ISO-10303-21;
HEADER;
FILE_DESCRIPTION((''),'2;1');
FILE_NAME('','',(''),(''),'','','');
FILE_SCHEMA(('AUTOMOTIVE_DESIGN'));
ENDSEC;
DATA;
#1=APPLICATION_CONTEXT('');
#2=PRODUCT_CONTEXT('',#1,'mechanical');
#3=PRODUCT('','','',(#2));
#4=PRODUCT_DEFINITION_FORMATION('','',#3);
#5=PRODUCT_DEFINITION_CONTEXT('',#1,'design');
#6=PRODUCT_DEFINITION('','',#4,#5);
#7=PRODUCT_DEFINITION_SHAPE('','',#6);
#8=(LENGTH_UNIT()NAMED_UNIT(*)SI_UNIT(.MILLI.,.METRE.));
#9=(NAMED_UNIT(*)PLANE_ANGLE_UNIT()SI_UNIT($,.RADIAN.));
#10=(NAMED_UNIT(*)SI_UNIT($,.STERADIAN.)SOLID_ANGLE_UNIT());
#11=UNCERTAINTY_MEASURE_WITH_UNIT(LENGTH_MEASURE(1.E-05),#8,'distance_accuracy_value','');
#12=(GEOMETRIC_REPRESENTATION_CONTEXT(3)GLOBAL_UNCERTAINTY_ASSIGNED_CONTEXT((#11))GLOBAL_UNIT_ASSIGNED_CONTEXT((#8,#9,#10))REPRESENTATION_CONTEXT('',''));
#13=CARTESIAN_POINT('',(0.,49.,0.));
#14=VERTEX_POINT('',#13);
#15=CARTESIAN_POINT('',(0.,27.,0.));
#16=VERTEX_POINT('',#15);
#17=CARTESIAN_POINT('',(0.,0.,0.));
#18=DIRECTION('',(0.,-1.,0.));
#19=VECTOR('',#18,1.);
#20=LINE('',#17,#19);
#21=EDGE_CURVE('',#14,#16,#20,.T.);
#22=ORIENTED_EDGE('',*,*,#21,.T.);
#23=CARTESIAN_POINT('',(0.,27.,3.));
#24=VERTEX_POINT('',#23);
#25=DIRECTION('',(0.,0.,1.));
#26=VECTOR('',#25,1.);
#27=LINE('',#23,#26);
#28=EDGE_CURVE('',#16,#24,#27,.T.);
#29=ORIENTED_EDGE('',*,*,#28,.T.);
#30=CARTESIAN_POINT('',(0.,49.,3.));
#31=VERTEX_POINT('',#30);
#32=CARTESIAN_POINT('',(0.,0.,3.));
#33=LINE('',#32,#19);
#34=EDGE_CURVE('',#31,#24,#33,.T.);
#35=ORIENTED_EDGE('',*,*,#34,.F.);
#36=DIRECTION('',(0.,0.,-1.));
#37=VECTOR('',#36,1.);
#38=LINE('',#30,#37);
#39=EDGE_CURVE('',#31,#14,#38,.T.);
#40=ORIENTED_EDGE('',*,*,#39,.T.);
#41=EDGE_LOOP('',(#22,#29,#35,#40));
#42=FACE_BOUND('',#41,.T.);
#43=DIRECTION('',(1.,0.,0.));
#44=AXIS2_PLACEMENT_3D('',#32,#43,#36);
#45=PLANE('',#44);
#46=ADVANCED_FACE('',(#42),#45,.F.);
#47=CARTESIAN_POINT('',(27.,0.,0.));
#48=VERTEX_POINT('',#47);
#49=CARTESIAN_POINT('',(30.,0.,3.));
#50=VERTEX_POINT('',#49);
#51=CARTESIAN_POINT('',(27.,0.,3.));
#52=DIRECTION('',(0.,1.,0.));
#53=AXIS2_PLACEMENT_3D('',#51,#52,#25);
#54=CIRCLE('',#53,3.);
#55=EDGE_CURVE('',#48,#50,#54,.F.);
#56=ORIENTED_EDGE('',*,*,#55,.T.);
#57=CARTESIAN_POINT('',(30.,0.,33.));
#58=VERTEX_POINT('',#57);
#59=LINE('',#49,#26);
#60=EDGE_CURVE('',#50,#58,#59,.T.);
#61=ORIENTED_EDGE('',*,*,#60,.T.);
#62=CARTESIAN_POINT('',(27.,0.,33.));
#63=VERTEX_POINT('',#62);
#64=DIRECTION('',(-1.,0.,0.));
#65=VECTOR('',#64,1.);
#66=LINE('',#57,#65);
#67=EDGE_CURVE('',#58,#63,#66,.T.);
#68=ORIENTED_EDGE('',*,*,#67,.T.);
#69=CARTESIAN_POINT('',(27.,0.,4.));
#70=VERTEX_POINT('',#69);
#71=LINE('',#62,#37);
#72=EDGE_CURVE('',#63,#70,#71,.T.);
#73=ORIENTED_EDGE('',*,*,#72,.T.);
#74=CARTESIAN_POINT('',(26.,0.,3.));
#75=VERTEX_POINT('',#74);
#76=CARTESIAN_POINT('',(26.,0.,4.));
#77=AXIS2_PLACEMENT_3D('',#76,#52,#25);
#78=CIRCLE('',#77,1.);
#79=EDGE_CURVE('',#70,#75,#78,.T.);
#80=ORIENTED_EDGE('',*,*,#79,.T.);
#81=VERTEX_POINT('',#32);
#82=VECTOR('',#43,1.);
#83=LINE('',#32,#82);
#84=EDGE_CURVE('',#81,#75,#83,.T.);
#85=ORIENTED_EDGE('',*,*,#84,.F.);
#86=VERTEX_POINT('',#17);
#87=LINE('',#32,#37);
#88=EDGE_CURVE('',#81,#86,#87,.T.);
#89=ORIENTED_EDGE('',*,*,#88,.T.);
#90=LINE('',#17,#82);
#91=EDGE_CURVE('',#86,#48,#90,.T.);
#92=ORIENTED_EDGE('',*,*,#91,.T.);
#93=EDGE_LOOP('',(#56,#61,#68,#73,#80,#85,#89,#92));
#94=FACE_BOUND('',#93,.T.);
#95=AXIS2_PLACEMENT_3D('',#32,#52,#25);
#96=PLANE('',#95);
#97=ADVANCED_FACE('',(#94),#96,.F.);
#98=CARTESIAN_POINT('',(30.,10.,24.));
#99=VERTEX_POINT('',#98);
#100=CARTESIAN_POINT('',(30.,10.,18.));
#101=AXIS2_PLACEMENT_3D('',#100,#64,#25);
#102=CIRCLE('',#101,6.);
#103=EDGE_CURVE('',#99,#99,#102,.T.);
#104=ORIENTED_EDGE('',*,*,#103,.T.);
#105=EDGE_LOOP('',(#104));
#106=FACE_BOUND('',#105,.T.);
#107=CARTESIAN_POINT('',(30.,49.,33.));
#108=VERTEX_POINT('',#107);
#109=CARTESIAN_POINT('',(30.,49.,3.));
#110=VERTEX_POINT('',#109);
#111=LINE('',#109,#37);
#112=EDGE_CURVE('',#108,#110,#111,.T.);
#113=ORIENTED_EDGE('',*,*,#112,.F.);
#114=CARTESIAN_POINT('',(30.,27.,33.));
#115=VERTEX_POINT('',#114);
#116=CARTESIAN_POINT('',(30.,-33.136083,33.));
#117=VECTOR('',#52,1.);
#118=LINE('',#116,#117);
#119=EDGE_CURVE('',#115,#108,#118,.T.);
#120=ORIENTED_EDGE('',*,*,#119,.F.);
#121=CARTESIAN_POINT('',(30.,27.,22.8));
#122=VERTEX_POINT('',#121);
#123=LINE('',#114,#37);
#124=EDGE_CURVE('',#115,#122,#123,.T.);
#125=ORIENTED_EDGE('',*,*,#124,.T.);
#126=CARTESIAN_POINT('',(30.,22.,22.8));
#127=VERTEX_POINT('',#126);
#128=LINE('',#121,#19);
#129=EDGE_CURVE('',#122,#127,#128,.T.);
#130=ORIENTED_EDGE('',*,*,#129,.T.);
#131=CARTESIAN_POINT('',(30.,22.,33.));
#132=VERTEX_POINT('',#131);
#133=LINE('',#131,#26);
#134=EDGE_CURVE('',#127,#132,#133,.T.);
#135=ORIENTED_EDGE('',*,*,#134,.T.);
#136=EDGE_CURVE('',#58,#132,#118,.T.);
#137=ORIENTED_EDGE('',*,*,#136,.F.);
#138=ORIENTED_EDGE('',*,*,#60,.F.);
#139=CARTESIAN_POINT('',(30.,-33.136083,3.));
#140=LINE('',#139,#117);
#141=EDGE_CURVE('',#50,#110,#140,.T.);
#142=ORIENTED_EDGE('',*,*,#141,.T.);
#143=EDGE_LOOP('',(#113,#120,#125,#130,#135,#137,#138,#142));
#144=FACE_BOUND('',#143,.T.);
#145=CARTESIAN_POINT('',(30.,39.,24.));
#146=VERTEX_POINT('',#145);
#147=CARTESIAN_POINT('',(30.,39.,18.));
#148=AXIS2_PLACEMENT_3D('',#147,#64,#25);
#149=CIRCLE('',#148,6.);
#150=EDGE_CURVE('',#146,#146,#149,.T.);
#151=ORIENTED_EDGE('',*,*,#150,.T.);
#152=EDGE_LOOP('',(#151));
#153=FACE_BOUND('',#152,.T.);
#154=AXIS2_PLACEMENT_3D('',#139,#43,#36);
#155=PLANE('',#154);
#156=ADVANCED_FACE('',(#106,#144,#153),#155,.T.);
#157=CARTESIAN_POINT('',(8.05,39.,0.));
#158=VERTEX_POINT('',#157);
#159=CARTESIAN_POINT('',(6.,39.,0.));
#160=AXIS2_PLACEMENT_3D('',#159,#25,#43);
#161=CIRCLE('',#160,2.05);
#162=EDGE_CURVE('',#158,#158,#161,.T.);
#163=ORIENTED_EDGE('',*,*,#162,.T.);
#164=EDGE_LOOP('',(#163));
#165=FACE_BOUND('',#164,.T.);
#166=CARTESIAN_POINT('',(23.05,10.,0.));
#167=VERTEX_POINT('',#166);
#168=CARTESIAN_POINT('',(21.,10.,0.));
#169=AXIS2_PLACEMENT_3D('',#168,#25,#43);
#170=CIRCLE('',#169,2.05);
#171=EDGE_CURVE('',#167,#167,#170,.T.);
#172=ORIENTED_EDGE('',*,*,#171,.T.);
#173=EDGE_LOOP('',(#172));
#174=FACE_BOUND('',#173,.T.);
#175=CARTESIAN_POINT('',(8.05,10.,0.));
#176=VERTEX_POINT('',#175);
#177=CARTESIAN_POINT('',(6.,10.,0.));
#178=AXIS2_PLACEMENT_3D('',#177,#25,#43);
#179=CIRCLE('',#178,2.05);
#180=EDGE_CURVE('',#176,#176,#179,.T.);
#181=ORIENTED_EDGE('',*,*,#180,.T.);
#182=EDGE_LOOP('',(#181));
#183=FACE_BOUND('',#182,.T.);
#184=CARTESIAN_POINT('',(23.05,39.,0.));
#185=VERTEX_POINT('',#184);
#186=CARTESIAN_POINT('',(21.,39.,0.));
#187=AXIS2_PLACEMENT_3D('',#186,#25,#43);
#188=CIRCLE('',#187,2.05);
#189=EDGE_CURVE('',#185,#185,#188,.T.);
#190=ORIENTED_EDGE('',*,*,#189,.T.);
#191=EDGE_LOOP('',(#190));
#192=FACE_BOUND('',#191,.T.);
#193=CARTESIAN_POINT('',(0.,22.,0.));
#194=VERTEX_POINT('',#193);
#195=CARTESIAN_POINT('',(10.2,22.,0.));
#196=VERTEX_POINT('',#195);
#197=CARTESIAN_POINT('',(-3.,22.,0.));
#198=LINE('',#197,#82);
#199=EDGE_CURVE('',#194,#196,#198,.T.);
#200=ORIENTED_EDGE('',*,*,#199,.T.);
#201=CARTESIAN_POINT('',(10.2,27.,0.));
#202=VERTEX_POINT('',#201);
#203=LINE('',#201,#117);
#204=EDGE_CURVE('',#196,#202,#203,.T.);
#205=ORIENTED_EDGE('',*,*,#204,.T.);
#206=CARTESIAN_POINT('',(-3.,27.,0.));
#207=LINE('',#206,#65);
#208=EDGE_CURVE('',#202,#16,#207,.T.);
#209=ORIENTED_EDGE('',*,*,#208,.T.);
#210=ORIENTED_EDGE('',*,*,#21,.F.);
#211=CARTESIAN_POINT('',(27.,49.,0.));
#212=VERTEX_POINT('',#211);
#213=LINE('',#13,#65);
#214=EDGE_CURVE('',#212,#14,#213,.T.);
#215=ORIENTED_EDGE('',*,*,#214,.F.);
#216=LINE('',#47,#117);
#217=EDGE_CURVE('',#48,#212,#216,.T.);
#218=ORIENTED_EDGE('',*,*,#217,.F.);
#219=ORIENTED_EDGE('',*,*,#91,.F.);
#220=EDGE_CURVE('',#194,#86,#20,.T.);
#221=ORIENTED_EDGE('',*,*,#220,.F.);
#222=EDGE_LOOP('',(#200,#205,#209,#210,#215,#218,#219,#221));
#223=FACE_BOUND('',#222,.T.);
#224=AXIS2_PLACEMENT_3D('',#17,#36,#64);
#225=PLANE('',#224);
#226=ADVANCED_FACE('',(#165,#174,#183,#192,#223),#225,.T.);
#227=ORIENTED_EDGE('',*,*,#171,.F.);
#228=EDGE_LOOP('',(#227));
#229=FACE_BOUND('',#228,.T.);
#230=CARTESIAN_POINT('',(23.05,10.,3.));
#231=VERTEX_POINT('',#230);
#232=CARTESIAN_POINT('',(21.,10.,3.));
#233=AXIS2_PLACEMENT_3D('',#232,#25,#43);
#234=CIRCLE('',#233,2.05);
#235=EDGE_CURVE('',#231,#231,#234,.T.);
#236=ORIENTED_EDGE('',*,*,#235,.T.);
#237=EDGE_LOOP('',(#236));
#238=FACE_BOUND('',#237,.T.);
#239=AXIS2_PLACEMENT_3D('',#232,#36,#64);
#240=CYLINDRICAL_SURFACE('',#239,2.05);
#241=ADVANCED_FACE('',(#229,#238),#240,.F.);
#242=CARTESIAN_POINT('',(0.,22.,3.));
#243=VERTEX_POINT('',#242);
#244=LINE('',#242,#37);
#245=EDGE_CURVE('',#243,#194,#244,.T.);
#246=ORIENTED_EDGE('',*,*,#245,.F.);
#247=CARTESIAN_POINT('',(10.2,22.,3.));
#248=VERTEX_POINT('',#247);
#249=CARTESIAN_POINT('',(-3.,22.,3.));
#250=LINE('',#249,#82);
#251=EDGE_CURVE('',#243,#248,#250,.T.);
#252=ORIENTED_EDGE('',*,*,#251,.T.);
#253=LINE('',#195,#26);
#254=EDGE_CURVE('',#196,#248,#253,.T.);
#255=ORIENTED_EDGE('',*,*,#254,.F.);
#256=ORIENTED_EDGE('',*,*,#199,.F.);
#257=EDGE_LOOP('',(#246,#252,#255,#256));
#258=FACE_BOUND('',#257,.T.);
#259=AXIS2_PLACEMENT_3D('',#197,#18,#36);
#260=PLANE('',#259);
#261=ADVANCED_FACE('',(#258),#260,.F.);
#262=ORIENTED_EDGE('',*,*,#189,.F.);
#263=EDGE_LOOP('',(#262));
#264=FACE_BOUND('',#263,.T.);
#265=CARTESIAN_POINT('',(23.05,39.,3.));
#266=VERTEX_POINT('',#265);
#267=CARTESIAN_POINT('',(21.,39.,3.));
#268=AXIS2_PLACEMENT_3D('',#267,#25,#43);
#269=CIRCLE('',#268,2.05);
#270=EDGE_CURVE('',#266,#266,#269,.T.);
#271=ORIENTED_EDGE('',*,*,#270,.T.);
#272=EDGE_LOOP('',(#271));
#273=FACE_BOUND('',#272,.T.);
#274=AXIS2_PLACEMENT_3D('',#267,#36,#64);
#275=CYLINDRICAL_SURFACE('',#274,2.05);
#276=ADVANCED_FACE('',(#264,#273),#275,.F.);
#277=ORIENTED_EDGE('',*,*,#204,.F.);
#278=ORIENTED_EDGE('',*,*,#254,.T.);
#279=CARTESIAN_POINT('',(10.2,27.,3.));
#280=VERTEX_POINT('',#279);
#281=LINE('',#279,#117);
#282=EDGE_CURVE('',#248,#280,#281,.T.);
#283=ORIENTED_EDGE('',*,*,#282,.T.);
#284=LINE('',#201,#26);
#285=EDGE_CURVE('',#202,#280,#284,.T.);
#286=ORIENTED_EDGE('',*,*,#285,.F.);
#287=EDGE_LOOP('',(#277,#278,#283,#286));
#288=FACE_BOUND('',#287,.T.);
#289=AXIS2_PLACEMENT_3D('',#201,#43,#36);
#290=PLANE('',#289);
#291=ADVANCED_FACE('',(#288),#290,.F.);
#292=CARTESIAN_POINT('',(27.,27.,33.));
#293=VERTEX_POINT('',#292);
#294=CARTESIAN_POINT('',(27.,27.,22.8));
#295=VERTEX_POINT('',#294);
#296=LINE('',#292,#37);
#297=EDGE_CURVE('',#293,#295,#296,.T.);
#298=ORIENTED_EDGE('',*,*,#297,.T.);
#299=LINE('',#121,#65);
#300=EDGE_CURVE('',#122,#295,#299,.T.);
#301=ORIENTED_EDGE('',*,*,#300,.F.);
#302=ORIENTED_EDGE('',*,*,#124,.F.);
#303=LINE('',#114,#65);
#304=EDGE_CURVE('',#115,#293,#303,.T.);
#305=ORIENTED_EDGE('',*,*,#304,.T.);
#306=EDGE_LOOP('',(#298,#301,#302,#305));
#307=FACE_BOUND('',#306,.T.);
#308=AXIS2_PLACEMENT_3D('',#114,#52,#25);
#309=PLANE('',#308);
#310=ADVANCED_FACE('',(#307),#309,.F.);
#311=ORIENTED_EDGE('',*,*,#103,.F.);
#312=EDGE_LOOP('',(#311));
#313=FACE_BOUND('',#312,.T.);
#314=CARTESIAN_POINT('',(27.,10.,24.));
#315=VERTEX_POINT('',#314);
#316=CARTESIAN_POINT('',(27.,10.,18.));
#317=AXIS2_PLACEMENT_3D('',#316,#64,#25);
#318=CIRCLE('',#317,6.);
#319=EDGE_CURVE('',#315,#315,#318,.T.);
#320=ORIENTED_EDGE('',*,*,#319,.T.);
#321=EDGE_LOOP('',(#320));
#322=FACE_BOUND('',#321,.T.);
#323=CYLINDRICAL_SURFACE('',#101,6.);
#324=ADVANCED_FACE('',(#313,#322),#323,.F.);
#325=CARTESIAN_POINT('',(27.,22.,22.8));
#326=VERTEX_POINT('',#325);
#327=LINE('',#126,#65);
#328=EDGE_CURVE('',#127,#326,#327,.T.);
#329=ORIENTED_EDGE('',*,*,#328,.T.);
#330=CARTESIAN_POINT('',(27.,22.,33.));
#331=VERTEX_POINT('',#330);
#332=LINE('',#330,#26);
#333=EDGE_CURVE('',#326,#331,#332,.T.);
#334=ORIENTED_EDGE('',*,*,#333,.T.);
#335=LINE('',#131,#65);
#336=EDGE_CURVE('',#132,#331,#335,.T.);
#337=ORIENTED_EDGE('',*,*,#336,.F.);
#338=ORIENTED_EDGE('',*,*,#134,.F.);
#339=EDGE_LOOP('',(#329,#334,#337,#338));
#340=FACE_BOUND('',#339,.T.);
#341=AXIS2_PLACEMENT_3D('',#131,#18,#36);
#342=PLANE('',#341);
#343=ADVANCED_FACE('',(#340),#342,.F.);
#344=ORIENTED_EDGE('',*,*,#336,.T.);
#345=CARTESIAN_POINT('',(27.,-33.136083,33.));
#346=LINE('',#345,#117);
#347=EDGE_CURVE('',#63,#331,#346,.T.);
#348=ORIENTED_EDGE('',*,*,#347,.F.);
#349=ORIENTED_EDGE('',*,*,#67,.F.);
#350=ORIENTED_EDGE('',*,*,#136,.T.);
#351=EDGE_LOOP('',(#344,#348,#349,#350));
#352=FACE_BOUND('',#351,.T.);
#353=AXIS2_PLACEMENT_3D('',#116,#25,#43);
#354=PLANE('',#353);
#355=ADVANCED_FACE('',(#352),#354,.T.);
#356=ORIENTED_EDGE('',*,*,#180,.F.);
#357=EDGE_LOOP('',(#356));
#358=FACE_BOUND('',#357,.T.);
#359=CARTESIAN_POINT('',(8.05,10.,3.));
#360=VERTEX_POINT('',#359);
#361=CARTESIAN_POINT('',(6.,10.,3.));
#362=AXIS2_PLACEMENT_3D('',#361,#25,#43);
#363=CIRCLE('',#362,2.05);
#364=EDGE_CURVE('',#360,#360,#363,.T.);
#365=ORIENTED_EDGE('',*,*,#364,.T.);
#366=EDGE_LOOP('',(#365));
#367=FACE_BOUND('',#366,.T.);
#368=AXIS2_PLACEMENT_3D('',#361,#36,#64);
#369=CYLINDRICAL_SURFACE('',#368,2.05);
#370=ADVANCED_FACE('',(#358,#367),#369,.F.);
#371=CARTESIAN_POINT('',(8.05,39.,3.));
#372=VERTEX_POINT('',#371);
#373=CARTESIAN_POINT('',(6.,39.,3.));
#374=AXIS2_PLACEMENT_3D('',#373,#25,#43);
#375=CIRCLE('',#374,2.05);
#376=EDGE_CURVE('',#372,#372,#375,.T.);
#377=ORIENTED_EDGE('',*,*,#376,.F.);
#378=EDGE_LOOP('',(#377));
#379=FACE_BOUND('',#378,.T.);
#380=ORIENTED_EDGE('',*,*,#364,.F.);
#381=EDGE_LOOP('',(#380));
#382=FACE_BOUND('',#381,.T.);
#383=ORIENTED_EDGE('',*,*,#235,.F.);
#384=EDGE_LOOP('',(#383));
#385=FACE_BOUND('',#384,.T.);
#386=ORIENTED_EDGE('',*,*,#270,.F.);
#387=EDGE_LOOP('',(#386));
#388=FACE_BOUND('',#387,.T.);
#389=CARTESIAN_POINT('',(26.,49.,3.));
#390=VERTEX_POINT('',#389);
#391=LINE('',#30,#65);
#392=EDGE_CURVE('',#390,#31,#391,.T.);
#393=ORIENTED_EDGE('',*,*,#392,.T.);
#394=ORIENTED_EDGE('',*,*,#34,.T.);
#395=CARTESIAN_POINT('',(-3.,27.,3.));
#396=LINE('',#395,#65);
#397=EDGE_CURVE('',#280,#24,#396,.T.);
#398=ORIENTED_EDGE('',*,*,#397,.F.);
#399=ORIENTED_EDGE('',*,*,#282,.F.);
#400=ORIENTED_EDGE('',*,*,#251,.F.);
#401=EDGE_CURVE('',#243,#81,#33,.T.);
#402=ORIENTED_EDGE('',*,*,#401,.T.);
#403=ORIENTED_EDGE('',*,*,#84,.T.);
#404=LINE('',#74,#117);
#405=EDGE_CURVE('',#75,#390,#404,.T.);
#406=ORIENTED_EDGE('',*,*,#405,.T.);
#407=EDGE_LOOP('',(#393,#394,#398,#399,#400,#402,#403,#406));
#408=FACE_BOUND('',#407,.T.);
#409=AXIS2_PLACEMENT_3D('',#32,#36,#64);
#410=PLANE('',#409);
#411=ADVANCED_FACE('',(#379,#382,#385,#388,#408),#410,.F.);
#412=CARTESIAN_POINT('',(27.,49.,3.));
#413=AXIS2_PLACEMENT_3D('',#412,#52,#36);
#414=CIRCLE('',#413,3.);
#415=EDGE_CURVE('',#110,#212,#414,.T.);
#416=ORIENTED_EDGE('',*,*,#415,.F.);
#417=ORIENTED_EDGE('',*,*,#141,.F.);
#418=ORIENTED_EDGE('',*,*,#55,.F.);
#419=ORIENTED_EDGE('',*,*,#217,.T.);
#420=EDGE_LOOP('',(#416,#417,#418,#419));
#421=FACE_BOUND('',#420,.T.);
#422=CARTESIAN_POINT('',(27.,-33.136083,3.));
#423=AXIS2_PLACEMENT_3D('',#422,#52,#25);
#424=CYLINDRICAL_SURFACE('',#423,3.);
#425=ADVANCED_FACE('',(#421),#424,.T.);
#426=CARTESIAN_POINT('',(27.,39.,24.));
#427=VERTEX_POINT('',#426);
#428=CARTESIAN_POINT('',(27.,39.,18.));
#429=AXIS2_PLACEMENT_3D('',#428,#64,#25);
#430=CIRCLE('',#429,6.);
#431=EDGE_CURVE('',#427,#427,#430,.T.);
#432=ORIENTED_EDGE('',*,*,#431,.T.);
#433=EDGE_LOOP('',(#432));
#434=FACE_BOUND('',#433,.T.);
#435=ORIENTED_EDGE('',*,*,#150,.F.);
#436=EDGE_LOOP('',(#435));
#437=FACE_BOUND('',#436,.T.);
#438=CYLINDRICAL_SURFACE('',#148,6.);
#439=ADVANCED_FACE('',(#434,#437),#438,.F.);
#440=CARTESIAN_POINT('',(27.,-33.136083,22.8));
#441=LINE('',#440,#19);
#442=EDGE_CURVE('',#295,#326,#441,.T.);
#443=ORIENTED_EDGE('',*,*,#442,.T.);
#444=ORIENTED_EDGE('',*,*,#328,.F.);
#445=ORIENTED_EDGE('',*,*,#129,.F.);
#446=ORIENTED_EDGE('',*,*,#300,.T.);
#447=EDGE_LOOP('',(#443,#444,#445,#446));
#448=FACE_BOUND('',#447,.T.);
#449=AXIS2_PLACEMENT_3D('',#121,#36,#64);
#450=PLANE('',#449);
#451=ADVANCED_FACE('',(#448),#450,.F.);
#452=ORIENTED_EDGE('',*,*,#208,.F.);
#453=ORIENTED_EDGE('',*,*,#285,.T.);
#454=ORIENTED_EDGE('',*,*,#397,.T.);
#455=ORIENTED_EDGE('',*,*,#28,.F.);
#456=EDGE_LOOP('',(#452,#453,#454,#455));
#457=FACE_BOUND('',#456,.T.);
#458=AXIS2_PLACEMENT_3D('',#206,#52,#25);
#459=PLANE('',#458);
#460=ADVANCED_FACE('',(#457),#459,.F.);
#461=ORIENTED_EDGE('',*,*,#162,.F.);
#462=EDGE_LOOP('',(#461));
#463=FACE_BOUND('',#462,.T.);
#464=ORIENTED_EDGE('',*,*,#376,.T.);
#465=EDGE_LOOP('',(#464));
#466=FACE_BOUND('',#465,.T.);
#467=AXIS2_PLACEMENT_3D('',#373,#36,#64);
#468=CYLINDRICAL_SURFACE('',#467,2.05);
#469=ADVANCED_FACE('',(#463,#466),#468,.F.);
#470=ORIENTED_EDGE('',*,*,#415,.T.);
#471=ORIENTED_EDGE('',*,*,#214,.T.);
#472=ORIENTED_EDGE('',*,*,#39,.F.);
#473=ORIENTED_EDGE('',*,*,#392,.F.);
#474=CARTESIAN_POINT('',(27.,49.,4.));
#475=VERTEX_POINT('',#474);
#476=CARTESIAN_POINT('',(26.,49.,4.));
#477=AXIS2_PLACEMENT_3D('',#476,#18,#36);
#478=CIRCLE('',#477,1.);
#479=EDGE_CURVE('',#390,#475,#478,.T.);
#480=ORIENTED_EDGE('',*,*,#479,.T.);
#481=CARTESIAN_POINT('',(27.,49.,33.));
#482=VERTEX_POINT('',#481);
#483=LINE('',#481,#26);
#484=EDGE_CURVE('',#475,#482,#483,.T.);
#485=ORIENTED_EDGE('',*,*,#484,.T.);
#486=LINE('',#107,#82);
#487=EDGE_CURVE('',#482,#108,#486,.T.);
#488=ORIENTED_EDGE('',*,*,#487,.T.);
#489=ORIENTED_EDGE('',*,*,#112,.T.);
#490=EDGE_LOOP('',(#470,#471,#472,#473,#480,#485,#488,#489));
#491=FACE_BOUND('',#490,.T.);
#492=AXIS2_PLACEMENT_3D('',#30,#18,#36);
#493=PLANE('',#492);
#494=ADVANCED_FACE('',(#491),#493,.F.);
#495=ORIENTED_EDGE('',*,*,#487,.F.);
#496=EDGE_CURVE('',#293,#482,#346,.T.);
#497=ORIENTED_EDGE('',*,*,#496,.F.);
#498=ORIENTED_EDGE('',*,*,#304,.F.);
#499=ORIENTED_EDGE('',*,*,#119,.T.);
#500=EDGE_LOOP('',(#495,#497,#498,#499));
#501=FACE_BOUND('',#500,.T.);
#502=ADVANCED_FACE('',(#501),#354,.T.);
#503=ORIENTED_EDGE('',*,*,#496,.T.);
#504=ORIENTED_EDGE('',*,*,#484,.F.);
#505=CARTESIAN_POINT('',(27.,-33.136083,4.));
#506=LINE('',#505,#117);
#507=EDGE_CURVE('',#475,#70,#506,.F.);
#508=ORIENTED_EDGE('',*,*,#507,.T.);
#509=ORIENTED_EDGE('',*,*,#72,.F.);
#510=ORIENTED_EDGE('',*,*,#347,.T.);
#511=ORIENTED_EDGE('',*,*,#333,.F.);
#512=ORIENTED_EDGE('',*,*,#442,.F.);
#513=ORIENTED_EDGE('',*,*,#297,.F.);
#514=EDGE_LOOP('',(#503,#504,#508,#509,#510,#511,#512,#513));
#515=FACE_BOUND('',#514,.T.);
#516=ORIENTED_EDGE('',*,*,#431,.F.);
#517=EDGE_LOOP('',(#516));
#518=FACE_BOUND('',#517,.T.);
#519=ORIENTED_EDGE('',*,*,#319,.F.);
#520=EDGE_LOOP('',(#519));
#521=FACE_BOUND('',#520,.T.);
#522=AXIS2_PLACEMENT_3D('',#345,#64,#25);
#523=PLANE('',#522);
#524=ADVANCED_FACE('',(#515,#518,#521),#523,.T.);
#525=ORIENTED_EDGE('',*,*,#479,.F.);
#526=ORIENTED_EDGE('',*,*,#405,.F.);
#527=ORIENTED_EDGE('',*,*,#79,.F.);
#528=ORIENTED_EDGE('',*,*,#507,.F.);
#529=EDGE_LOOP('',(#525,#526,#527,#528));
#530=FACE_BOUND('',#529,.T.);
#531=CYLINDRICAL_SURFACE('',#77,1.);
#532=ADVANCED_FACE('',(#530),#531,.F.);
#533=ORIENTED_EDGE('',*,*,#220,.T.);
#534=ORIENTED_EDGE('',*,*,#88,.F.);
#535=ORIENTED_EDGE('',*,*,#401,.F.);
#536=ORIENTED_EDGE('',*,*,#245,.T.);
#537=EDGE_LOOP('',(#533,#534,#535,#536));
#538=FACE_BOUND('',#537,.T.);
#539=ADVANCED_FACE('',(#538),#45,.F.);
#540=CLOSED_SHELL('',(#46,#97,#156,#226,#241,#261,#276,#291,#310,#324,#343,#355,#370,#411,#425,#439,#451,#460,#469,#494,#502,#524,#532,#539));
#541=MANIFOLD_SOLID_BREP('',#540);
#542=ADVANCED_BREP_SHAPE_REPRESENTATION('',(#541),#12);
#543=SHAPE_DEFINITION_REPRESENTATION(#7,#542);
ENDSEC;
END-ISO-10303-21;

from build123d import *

# Parameters (mm, degrees)
SKETCH2_W               = 27
SKETCH2_H               = 49
SKETCH2_R               = 2.05
BOSS_EXTRUDE1_DEPTH     = 3
BOSS_EXTRUDE2_DEPTH     = 49
SKETCH5_R               = 6
CUT_EXTRUDE1_DEPTH      = 4
FILLET1_R               = 1
SKETCH6_W               = 13.2
SKETCH6_H               = 5
CUT_EXTRUDE2_DEPTH      = 4
SKETCH7_W               = 10.2
SKETCH7_H               = 5
CUT_EXTRUDE3_DEPTH      = 28
CUT_EXTRUDE3_DEPTH_BACK = 4


with BuildPart() as part:
    # Sketch2 → Boss-Extrude1 (new body)
    with BuildSketch(Plane.XY):
        with Locations((13.5, 24.5)):
            Rectangle(SKETCH2_W, SKETCH2_H)
        with Locations((6, 39)):
            Circle(SKETCH2_R, mode=Mode.SUBTRACT)
        with Locations((21, 39)):
            Circle(SKETCH2_R, mode=Mode.SUBTRACT)
        with Locations((6, 10)):
            Circle(SKETCH2_R, mode=Mode.SUBTRACT)
        with Locations((21, 10)):
            Circle(SKETCH2_R, mode=Mode.SUBTRACT)
    extrude(amount=BOSS_EXTRUDE1_DEPTH)

    # Sketch4 → Boss-Extrude2 (add)
    with BuildSketch(Plane(origin=(0, 49, 0), x_dir=(1, 0, 0), z_dir=(0, 1, 0))):
        with BuildLine():
            Line((30, -3), (30, -33))
            Line((30, -33), (27, -33))
            Line((27, -33), (27, 0))
            ThreePointArc((27, 0), (29.121320344, -0.878679656), (30, -3))
        make_face()
    extrude(amount=-BOSS_EXTRUDE2_DEPTH)

    # Sketch5 → Cut-Extrude1 (cut, through all)
    with BuildSketch(Plane.ZY.offset(-27)):
        with Locations((18, 39)):
            Circle(SKETCH5_R)
        with Locations((18, 10)):
            Circle(SKETCH5_R)
    extrude(amount=-CUT_EXTRUDE1_DEPTH, mode=Mode.SUBTRACT)

    # Fillet1
    fillet1_edges = [part.edges().sort_by_distance(p)[0] for p in [
        (27, 24.5, 3),
    ]]
    fillet(fillet1_edges, radius=FILLET1_R)

    # Sketch6 → Cut-Extrude2 (cut, through all)
    with BuildSketch(Plane.XY.offset(3)):
        with Locations((3.6, 24.5)):
            Rectangle(SKETCH6_W, SKETCH6_H)
    extrude(amount=-CUT_EXTRUDE2_DEPTH, mode=Mode.SUBTRACT)

    # Sketch7 → Cut-Extrude3 (cut, two sides)
    with BuildSketch(Plane.ZY.offset(-27)) as cut_extrude3_sk:
        with Locations((27.9, 24.5)):
            Rectangle(SKETCH7_W, SKETCH7_H)
    extrude(amount=CUT_EXTRUDE3_DEPTH, mode=Mode.SUBTRACT)
    extrude(cut_extrude3_sk.sketch, amount=-CUT_EXTRUDE3_DEPTH_BACK, mode=Mode.SUBTRACT)


solid = part.part
